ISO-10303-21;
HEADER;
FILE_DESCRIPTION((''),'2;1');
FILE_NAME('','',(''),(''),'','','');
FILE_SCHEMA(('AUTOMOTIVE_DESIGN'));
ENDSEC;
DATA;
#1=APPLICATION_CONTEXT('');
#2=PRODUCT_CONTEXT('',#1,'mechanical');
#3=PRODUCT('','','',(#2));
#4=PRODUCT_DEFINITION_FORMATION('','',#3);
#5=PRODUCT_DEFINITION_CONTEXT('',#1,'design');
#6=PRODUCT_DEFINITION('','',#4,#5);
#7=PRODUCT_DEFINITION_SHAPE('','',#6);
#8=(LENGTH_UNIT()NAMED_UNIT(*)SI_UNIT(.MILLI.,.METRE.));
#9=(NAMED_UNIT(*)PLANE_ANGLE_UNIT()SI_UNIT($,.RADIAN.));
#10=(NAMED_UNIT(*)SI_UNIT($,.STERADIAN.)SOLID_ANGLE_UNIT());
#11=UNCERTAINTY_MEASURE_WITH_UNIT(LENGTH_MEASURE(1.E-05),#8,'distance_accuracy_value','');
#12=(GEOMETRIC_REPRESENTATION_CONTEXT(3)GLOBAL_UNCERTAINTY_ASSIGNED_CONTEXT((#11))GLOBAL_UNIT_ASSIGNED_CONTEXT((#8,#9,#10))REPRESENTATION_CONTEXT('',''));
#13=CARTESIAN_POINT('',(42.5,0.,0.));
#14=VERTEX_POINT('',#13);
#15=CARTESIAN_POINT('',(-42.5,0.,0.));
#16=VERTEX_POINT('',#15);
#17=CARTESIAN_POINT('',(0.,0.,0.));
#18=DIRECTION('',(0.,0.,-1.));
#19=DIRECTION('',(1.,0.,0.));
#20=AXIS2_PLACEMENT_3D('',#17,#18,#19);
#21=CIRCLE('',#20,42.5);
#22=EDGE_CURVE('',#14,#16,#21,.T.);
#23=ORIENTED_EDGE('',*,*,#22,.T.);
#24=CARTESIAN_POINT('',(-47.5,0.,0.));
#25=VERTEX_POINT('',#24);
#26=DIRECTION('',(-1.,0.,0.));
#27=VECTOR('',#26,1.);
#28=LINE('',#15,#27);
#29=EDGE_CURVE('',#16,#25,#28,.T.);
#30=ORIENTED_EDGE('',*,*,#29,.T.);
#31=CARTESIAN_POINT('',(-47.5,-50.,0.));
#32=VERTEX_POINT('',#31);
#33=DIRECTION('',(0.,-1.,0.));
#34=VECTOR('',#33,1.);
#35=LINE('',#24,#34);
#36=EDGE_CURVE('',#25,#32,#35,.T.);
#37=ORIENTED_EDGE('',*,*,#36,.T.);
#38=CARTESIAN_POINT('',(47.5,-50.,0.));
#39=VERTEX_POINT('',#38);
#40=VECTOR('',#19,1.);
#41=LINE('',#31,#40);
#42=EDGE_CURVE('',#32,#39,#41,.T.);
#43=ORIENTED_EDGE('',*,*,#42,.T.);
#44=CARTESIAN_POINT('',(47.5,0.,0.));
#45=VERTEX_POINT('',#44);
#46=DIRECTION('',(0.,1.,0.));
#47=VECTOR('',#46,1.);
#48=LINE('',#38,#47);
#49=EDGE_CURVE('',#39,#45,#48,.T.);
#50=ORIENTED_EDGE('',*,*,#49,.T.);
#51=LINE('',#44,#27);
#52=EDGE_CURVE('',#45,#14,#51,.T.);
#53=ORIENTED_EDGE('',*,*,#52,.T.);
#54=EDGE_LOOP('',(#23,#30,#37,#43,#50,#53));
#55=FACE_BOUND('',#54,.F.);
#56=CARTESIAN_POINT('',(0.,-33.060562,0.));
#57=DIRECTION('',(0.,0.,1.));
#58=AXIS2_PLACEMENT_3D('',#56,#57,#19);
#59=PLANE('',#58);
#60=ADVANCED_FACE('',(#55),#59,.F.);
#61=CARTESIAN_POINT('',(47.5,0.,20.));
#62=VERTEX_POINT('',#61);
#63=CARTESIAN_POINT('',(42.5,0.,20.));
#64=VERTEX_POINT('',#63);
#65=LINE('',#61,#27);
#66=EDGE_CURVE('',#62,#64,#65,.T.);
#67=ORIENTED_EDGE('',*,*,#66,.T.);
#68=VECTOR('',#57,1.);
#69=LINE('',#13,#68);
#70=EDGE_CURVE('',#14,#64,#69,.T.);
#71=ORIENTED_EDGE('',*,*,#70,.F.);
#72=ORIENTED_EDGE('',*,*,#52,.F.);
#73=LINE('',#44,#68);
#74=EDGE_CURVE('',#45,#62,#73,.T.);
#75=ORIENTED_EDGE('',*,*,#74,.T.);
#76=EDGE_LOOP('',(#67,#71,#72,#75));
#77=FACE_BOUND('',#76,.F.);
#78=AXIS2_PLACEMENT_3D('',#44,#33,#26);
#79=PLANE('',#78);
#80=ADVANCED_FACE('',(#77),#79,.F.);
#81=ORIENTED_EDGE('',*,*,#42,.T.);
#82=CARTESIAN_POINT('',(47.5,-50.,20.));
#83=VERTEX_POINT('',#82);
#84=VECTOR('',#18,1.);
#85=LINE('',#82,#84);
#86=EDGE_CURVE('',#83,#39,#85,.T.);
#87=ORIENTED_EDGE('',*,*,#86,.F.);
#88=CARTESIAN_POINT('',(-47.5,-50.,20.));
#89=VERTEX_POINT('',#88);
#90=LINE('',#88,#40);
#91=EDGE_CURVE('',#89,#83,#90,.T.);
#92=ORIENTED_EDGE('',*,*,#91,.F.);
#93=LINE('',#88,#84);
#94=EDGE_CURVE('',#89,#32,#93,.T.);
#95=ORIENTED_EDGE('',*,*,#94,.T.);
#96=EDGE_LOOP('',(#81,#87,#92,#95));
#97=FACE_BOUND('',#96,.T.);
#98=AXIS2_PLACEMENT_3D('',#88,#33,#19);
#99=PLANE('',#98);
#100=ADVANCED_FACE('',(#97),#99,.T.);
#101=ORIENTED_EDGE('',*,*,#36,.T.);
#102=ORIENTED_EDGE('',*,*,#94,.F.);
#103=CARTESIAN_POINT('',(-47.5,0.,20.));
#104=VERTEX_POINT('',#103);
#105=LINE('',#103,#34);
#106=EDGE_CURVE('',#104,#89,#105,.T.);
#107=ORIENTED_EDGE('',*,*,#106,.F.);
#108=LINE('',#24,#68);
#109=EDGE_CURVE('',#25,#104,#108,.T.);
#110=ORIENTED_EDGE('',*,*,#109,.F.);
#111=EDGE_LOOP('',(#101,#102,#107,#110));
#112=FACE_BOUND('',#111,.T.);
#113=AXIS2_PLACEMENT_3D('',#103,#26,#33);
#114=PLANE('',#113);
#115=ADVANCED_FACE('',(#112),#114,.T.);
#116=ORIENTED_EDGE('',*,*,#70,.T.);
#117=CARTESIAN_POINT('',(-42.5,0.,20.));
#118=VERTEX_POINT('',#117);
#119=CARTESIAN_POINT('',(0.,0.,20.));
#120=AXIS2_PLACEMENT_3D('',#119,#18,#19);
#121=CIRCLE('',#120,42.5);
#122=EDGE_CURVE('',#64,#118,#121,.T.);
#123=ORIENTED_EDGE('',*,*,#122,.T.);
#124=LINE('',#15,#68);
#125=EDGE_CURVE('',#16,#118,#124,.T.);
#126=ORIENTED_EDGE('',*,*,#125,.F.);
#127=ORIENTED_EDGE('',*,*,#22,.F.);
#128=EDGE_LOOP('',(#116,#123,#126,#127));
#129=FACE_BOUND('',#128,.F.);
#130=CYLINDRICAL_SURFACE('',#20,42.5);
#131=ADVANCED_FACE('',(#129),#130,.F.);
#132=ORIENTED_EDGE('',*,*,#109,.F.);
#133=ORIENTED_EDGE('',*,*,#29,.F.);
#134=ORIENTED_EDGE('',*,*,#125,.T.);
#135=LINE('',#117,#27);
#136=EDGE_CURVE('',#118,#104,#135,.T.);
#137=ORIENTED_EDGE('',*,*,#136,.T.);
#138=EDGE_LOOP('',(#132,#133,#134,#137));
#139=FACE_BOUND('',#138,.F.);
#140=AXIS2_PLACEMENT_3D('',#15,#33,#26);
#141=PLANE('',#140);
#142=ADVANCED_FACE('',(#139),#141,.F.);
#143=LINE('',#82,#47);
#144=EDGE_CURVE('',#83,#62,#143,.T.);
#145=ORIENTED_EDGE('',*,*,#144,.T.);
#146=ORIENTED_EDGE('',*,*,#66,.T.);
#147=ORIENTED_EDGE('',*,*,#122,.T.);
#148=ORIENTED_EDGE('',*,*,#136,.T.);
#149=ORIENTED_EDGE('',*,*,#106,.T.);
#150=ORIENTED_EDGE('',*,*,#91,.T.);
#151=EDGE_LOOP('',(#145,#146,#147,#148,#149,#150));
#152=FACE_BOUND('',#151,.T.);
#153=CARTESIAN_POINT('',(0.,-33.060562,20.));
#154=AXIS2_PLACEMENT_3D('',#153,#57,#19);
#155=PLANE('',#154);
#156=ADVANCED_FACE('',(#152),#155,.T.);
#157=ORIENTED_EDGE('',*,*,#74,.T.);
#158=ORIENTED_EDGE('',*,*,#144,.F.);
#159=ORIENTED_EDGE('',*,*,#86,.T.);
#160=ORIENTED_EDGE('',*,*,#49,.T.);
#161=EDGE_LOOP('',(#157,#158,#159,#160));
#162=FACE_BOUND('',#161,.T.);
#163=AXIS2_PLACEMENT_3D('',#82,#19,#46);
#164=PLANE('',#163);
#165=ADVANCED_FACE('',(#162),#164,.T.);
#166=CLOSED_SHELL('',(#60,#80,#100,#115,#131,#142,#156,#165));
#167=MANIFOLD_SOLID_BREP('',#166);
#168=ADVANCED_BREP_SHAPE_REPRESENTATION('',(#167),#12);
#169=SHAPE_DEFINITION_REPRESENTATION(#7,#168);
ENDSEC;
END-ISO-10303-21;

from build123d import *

# Parameters (mm, degrees)
F1_DEPTH = 20
F3_DEPTH = 20


with BuildPart() as f1:
    # F0 (on Top) → F1 (new body)
    with BuildSketch(Plane.XY):
        with BuildLine():
            ThreePointArc((42.5, 0), (0, -42.5), (-42.5, 0))
            Line((-42.5, 0), (-47.5, 0))
            ThreePointArc((-47.5, 0), (0, -47.5), (47.5, 0))
            Line((47.5, 0), (42.5, 0))
        make_face()
    extrude(amount=F1_DEPTH)

    # F2 (on face) → F3 (join)
    with BuildSketch(Plane.XY.offset(20)):
        with BuildLine():
            ThreePointArc((47.5, 0), (0, -47.5), (-47.5, 0))
            Line((-47.5, 0), (-47.5, -50))
            Line((-47.5, -50), (0, -50))
            Line((0, -50), (47.5, -50))
            Line((47.5, -50), (47.5, 0))
        make_face()
    extrude(amount=-F3_DEPTH)


solid = f1.part
